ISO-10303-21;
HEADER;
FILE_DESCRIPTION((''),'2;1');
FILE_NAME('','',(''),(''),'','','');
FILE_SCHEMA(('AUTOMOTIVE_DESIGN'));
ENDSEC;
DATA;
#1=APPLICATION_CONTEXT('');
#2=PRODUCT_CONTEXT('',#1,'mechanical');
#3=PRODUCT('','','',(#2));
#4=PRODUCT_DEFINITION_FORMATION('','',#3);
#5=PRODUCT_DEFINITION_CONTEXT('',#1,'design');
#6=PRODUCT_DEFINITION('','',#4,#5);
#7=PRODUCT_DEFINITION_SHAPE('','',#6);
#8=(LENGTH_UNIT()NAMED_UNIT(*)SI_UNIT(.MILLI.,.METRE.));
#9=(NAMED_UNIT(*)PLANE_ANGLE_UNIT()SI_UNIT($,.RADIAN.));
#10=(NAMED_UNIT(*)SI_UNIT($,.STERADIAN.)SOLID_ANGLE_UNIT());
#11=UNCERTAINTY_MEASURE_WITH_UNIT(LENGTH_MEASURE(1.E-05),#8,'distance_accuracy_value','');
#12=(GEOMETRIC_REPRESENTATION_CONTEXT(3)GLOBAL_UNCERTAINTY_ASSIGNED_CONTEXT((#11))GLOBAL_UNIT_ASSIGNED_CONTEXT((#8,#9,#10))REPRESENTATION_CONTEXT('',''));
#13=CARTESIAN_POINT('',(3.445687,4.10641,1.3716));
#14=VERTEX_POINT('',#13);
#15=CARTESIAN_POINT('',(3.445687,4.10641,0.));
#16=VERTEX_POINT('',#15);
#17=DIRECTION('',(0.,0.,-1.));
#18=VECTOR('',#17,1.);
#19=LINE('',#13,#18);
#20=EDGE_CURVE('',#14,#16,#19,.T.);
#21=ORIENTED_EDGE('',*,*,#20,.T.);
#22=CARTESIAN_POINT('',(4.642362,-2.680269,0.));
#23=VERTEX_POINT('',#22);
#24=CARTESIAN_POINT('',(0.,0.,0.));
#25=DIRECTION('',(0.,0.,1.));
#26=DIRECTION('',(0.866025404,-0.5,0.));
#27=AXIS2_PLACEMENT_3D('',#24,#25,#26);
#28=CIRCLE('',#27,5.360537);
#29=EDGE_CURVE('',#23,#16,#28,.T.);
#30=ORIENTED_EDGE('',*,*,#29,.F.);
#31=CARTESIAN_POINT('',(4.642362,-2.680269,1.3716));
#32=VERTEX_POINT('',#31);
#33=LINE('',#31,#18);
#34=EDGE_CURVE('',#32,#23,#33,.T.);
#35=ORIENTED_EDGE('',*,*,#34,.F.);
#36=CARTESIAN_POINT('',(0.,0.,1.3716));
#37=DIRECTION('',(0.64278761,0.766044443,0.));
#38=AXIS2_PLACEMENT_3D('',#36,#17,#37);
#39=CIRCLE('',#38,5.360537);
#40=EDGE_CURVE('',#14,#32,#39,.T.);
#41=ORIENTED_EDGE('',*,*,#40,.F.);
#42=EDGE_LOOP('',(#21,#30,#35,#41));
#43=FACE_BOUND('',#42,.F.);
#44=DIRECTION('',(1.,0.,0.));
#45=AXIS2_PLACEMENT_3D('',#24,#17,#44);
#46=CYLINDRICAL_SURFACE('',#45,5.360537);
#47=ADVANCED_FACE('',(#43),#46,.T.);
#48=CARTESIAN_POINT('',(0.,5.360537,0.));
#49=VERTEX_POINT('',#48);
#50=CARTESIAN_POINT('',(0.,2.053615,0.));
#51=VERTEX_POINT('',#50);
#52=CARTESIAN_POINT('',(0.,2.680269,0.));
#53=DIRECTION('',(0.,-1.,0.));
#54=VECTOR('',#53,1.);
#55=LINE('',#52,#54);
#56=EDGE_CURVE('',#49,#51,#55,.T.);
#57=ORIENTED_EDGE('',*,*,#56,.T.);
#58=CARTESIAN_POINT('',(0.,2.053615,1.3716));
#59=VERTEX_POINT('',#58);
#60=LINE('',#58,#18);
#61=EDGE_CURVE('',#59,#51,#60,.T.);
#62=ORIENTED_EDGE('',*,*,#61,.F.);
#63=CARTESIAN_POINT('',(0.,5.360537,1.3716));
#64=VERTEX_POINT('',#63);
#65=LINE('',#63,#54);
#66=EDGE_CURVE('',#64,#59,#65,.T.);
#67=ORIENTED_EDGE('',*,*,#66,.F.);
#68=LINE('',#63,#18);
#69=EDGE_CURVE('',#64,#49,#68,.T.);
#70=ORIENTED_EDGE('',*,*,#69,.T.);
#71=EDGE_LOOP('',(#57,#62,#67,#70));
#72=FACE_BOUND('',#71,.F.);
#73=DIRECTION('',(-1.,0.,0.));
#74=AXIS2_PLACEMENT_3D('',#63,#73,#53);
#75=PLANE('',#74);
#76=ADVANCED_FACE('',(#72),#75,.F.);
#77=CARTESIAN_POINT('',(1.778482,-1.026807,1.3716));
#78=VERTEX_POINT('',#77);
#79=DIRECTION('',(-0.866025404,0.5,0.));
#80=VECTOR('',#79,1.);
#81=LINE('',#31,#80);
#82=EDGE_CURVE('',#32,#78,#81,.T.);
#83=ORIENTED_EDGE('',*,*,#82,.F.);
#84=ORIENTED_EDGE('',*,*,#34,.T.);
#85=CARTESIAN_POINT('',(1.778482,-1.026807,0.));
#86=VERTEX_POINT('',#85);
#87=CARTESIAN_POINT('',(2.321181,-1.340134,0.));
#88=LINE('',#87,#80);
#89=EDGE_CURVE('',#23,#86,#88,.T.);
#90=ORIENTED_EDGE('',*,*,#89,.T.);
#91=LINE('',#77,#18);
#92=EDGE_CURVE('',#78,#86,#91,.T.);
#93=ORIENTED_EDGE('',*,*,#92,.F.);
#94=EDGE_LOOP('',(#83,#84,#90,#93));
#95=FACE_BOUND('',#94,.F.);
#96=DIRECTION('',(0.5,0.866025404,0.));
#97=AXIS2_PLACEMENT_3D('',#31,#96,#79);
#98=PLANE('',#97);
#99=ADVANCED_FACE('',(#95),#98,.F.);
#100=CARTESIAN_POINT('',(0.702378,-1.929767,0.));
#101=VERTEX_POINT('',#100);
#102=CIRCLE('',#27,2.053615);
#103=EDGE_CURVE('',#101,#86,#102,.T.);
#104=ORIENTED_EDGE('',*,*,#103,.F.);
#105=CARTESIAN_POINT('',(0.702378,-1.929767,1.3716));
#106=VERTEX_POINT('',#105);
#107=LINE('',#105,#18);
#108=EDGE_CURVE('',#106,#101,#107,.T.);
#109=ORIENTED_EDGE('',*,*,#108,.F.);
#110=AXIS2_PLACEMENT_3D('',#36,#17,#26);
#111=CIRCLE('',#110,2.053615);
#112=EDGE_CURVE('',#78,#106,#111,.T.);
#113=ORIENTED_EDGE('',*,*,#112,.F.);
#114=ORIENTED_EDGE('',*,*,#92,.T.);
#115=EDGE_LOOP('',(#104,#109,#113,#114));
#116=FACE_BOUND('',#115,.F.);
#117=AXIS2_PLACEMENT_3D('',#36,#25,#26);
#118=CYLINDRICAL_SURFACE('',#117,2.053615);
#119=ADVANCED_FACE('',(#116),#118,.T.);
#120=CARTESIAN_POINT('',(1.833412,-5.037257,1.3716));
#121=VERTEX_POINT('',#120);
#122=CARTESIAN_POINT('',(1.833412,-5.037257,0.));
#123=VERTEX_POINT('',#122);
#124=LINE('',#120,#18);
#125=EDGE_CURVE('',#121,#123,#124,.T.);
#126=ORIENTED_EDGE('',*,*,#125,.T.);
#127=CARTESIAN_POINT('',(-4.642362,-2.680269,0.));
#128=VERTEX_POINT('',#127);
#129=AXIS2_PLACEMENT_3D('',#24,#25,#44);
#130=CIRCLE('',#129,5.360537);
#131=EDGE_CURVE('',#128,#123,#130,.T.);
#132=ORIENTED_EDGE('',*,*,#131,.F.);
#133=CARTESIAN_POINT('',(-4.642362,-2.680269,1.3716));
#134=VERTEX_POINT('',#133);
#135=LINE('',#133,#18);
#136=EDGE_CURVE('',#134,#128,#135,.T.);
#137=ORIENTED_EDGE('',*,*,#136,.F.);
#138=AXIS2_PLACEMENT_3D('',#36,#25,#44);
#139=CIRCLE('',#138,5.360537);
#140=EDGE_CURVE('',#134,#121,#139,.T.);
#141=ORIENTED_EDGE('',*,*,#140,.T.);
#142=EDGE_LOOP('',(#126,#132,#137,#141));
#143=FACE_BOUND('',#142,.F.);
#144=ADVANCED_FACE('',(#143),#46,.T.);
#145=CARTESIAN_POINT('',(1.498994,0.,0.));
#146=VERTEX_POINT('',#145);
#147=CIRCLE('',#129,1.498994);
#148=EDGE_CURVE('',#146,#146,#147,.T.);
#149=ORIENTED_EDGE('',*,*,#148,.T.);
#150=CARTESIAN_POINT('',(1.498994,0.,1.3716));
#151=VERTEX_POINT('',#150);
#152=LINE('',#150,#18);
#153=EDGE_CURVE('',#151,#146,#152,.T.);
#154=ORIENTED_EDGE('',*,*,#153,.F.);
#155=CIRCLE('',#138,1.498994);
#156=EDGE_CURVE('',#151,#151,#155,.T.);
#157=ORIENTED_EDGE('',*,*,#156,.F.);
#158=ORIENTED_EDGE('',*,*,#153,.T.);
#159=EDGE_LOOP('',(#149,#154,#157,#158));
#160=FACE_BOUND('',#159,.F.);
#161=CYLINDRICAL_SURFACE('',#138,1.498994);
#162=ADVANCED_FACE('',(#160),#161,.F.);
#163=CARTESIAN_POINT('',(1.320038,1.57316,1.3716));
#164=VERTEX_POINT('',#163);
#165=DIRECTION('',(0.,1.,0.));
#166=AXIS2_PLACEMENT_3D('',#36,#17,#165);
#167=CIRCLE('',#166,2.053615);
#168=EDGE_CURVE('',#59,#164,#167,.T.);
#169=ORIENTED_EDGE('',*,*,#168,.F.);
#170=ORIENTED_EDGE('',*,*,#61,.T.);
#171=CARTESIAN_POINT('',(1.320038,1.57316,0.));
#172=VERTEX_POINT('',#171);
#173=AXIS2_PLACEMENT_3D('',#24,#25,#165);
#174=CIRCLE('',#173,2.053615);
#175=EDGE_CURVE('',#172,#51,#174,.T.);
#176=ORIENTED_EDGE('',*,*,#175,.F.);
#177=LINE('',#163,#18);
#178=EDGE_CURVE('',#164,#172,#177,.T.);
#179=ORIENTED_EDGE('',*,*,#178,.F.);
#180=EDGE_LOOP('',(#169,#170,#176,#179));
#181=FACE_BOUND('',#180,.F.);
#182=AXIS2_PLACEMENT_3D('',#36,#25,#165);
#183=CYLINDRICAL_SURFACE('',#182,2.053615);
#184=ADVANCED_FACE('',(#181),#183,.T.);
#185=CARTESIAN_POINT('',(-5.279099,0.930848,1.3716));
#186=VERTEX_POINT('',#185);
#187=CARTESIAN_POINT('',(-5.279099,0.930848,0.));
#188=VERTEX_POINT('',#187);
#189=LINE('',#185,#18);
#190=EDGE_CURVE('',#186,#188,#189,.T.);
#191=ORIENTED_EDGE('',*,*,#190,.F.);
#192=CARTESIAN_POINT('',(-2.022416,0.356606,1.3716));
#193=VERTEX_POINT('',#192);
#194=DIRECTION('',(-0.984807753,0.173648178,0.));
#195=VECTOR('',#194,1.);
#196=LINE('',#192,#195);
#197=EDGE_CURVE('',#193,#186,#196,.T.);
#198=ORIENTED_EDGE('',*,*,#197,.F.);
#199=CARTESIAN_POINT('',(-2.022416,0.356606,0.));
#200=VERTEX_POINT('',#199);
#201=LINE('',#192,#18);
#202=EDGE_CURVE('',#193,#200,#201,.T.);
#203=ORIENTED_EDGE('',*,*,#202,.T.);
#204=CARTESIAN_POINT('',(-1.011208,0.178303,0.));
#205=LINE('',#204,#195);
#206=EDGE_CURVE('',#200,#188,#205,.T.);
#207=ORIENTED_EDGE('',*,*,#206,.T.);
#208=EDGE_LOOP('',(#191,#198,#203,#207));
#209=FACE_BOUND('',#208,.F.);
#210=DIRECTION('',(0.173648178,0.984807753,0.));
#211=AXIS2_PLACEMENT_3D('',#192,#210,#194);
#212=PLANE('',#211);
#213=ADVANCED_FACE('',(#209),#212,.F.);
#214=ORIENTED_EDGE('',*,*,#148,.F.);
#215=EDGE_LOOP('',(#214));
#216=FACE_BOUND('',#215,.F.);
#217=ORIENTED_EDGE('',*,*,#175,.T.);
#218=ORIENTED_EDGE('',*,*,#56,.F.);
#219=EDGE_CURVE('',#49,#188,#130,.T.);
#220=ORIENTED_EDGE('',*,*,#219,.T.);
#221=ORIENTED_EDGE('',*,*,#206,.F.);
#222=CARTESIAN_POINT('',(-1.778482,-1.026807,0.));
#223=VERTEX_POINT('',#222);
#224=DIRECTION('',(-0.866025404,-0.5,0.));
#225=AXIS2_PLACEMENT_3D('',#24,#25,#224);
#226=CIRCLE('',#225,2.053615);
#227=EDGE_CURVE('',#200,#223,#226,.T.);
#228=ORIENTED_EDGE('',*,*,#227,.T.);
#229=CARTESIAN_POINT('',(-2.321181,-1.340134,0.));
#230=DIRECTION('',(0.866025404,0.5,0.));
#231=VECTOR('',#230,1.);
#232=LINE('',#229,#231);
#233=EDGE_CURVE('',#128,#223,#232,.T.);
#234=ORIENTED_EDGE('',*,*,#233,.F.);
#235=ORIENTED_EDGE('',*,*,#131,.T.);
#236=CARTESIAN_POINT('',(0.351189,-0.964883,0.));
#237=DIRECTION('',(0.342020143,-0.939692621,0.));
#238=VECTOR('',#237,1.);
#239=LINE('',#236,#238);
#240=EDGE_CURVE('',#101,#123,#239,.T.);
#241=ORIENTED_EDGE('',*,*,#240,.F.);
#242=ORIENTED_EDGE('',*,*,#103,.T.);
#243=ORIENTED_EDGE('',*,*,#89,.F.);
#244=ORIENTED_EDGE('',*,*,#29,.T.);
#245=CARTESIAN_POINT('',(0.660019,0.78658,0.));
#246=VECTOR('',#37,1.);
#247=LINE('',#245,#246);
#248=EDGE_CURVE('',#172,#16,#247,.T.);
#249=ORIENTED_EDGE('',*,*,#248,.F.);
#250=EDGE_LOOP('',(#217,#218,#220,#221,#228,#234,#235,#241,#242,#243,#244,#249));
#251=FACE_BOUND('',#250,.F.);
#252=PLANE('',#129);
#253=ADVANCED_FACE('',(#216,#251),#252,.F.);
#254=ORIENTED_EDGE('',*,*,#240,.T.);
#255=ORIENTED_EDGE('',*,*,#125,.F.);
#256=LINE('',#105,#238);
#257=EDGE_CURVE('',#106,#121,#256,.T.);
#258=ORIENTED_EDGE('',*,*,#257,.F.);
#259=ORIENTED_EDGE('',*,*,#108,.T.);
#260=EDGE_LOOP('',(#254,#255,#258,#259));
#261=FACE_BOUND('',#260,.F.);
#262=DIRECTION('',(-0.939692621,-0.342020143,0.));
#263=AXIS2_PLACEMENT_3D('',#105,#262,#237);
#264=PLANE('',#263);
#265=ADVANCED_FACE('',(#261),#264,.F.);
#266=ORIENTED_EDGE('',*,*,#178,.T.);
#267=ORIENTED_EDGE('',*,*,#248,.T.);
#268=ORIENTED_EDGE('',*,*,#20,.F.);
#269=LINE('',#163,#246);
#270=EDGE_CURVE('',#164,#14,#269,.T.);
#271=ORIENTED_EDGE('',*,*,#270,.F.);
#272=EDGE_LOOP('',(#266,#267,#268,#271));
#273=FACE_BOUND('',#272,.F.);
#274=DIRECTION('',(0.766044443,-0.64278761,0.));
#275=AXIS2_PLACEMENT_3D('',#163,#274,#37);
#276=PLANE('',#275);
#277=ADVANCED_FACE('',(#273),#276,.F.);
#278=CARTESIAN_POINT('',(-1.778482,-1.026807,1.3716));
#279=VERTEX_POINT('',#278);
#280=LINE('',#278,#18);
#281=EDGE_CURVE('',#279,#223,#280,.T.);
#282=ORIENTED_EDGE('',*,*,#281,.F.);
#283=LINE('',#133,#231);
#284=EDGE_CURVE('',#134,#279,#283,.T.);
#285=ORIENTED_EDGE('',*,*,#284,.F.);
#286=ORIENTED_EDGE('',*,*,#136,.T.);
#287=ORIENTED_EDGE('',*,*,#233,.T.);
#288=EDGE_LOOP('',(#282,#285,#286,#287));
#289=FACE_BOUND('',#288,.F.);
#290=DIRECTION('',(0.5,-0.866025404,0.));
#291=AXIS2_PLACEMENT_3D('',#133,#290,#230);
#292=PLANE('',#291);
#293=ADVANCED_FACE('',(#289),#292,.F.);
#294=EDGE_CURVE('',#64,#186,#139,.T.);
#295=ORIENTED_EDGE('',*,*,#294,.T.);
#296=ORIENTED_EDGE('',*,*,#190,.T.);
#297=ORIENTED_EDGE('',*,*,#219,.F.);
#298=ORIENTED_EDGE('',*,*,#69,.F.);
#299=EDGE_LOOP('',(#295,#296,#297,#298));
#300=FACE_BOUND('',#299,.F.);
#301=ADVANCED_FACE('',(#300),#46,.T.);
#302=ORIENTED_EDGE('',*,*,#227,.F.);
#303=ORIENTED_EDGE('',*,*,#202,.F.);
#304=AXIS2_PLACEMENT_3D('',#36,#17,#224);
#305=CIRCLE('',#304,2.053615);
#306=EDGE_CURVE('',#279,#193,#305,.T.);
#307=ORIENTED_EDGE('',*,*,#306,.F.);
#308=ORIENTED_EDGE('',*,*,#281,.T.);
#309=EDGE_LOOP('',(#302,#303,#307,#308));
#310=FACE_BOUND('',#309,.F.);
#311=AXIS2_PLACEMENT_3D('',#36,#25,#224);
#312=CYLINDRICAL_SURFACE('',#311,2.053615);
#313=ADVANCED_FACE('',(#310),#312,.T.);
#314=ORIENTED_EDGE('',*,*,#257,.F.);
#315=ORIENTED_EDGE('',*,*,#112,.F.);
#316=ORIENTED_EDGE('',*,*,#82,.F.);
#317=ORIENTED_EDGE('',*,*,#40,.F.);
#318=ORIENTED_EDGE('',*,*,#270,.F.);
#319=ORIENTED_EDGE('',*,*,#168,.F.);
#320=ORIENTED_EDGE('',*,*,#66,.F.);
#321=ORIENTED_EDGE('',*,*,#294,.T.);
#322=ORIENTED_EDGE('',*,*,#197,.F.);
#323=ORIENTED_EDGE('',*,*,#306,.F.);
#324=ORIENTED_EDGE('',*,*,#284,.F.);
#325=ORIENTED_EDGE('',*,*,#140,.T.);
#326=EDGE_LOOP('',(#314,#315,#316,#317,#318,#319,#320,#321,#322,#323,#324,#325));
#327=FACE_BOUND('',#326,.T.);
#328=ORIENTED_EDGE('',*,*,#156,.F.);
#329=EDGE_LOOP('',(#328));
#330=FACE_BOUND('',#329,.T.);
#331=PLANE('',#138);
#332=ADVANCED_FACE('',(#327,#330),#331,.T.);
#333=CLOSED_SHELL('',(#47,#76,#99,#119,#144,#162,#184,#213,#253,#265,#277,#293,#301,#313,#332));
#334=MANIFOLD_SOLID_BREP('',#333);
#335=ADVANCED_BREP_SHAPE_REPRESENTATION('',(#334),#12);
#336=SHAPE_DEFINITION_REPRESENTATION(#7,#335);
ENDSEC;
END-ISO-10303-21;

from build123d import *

# Parameters (mm, degrees)
F0_R      = 28.3757796524
F1_DEPTH  = 8.636
F2_R      = 3.772916628
F3_DEPTH  = 25.4
F5_R      = 5.3605373526
F6_DEPTH  = 1.3716
F7_R      = 1.4989937
F8_DEPTH  = 25.4
F10_DEPTH = 25.4


with BuildPart() as f1:
    # F0 (on Top) → F1 (new body)
    with BuildSketch(Plane.XY):
        with Locations((-28.4617077559, 15.6847797334)):
            Circle(F0_R)
    extrude(amount=F1_DEPTH)

    # F2 (on face) → F3 (cut)
    with BuildSketch(Plane.XY.offset(8.636)):
        with Locations((-28.4617077559, 15.6847797334)):
            Circle(F2_R)
    extrude(amount=-F3_DEPTH, mode=Mode.SUBTRACT)


with BuildPart() as f6:
    # F5 (on Top) → F6 (new body)
    with BuildSketch(Plane.XY):
        Circle(F5_R)
    extrude(amount=F6_DEPTH)

    # F7 (on face) → F8 (cut)
    with BuildSketch(Plane.XY.offset(1.3716)):
        Circle(F7_R)
    extrude(amount=-F8_DEPTH, mode=Mode.SUBTRACT)

    # F9 (on face) → F10 (cut)
    with BuildSketch(Plane.XY.offset(1.3716)):
        with BuildLine():
            Line((4.6423615252, -2.6802686763), (1.7784824816, -1.0268073395))
            ThreePointArc((1.7784824816, -1.0268073395), (1.3200380707, -1.5731601132), (0.7023775868, -1.9297665598))
            Line((0.7023775868, -1.9297665598), (1.8334117536, -5.0372573936))
            ThreePointArc((1.8334117536, -5.0372573936), (3.4456869915, -4.1064098511), (4.6423615252, -2.6802686763))
        make_face()
        with BuildLine():
            Line((-4.6423615252, -2.6802686763), (-1.7784824816, -1.0268073395))
            ThreePointArc((-1.7784824816, -1.0268073395), (-2.0224156576, -0.3566064466), (-2.0224156576, 0.3566064466))
            Line((-2.0224156576, 0.3566064466), (-5.2790987451, 0.9308475426))
            ThreePointArc((-5.2790987451, 0.9308475426), (-5.2790987451, -0.9308475426), (-4.6423615252, -2.6802686763))
        make_face()
        with BuildLine():
            ThreePointArc((0, 2.053614679), (0.7023775868, 1.9297665598), (1.3200380707, 1.5731601132))
            Line((1.3200380707, 1.5731601132), (3.4456869915, 4.1064098511))
            ThreePointArc((3.4456869915, 4.1064098511), (1.8334117536, 5.0372573936), (0, 5.3605373526))
            Line((0, 5.3605373526), (0, 2.053614679))
        make_face()
    extrude(amount=-F10_DEPTH, mode=Mode.SUBTRACT)


solid = f6.part
